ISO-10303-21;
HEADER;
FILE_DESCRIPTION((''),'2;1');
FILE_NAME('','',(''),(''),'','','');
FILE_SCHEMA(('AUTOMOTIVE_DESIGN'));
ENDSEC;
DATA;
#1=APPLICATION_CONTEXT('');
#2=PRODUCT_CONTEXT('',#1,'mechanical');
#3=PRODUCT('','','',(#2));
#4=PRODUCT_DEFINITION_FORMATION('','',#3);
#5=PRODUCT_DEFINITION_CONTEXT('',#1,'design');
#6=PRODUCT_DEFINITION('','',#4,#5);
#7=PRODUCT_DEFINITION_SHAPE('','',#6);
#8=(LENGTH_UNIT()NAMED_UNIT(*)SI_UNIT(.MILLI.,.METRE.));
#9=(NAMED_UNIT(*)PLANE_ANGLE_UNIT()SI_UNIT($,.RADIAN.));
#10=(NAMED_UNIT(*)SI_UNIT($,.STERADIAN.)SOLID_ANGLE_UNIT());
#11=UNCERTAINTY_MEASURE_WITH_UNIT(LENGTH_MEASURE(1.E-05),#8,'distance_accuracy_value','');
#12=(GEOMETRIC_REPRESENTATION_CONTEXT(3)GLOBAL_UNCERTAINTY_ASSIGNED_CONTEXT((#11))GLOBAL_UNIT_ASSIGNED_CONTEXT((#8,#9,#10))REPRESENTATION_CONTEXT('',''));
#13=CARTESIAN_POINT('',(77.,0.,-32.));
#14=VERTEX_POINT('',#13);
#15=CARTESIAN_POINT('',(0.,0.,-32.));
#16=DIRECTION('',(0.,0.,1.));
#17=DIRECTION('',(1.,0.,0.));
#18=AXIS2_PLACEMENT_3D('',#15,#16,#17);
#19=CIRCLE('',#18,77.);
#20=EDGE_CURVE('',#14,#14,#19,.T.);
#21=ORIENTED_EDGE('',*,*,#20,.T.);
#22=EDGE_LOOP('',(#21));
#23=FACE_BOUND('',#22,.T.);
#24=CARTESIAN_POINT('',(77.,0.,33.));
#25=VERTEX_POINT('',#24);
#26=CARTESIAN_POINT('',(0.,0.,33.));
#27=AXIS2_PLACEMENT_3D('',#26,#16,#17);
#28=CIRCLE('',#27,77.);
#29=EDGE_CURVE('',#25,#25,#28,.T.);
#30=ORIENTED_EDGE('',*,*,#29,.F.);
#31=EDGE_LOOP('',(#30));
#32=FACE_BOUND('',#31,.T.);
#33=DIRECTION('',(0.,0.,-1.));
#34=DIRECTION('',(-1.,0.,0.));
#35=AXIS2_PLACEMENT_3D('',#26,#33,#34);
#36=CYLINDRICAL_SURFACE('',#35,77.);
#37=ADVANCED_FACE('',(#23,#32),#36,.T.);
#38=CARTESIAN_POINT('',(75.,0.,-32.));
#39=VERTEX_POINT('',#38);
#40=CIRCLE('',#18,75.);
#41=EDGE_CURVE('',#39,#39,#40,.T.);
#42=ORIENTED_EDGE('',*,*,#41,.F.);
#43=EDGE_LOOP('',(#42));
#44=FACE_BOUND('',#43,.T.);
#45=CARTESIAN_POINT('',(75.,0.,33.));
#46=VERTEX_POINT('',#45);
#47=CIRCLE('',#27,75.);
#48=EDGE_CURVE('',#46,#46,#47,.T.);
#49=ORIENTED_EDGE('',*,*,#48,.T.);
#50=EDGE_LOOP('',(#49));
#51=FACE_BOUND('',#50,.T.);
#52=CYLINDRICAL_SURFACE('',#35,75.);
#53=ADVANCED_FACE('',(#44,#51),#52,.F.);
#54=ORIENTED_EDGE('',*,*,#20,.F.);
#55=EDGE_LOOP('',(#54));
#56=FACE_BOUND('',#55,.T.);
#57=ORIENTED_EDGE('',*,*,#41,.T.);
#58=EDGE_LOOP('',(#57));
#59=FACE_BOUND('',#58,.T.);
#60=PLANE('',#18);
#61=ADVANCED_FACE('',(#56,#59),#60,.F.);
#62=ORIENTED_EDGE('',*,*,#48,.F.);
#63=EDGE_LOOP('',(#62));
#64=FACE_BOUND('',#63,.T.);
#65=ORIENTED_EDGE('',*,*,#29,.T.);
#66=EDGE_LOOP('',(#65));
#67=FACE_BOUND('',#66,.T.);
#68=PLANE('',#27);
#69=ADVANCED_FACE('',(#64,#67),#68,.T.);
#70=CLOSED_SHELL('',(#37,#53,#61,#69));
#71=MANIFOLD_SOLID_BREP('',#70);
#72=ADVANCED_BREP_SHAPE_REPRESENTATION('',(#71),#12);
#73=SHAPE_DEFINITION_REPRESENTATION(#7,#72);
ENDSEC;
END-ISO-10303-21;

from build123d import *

# Parameters (mm, degrees)
PRINTED_FIXED_CASE_START = -32
SKETCH_1_R               = 77
SKETCH_1_R_2             = 75
PRINTED_FIXED_CASE_DEPTH = 65


with BuildPart() as part:
    # Эскиз1 → Printed_fixed_case (new body)
    with BuildSketch(Plane.XY.offset(PRINTED_FIXED_CASE_START)):
        Circle(SKETCH_1_R)
        Circle(SKETCH_1_R_2, mode=Mode.SUBTRACT)
    extrude(amount=PRINTED_FIXED_CASE_DEPTH)


solid = part.part
